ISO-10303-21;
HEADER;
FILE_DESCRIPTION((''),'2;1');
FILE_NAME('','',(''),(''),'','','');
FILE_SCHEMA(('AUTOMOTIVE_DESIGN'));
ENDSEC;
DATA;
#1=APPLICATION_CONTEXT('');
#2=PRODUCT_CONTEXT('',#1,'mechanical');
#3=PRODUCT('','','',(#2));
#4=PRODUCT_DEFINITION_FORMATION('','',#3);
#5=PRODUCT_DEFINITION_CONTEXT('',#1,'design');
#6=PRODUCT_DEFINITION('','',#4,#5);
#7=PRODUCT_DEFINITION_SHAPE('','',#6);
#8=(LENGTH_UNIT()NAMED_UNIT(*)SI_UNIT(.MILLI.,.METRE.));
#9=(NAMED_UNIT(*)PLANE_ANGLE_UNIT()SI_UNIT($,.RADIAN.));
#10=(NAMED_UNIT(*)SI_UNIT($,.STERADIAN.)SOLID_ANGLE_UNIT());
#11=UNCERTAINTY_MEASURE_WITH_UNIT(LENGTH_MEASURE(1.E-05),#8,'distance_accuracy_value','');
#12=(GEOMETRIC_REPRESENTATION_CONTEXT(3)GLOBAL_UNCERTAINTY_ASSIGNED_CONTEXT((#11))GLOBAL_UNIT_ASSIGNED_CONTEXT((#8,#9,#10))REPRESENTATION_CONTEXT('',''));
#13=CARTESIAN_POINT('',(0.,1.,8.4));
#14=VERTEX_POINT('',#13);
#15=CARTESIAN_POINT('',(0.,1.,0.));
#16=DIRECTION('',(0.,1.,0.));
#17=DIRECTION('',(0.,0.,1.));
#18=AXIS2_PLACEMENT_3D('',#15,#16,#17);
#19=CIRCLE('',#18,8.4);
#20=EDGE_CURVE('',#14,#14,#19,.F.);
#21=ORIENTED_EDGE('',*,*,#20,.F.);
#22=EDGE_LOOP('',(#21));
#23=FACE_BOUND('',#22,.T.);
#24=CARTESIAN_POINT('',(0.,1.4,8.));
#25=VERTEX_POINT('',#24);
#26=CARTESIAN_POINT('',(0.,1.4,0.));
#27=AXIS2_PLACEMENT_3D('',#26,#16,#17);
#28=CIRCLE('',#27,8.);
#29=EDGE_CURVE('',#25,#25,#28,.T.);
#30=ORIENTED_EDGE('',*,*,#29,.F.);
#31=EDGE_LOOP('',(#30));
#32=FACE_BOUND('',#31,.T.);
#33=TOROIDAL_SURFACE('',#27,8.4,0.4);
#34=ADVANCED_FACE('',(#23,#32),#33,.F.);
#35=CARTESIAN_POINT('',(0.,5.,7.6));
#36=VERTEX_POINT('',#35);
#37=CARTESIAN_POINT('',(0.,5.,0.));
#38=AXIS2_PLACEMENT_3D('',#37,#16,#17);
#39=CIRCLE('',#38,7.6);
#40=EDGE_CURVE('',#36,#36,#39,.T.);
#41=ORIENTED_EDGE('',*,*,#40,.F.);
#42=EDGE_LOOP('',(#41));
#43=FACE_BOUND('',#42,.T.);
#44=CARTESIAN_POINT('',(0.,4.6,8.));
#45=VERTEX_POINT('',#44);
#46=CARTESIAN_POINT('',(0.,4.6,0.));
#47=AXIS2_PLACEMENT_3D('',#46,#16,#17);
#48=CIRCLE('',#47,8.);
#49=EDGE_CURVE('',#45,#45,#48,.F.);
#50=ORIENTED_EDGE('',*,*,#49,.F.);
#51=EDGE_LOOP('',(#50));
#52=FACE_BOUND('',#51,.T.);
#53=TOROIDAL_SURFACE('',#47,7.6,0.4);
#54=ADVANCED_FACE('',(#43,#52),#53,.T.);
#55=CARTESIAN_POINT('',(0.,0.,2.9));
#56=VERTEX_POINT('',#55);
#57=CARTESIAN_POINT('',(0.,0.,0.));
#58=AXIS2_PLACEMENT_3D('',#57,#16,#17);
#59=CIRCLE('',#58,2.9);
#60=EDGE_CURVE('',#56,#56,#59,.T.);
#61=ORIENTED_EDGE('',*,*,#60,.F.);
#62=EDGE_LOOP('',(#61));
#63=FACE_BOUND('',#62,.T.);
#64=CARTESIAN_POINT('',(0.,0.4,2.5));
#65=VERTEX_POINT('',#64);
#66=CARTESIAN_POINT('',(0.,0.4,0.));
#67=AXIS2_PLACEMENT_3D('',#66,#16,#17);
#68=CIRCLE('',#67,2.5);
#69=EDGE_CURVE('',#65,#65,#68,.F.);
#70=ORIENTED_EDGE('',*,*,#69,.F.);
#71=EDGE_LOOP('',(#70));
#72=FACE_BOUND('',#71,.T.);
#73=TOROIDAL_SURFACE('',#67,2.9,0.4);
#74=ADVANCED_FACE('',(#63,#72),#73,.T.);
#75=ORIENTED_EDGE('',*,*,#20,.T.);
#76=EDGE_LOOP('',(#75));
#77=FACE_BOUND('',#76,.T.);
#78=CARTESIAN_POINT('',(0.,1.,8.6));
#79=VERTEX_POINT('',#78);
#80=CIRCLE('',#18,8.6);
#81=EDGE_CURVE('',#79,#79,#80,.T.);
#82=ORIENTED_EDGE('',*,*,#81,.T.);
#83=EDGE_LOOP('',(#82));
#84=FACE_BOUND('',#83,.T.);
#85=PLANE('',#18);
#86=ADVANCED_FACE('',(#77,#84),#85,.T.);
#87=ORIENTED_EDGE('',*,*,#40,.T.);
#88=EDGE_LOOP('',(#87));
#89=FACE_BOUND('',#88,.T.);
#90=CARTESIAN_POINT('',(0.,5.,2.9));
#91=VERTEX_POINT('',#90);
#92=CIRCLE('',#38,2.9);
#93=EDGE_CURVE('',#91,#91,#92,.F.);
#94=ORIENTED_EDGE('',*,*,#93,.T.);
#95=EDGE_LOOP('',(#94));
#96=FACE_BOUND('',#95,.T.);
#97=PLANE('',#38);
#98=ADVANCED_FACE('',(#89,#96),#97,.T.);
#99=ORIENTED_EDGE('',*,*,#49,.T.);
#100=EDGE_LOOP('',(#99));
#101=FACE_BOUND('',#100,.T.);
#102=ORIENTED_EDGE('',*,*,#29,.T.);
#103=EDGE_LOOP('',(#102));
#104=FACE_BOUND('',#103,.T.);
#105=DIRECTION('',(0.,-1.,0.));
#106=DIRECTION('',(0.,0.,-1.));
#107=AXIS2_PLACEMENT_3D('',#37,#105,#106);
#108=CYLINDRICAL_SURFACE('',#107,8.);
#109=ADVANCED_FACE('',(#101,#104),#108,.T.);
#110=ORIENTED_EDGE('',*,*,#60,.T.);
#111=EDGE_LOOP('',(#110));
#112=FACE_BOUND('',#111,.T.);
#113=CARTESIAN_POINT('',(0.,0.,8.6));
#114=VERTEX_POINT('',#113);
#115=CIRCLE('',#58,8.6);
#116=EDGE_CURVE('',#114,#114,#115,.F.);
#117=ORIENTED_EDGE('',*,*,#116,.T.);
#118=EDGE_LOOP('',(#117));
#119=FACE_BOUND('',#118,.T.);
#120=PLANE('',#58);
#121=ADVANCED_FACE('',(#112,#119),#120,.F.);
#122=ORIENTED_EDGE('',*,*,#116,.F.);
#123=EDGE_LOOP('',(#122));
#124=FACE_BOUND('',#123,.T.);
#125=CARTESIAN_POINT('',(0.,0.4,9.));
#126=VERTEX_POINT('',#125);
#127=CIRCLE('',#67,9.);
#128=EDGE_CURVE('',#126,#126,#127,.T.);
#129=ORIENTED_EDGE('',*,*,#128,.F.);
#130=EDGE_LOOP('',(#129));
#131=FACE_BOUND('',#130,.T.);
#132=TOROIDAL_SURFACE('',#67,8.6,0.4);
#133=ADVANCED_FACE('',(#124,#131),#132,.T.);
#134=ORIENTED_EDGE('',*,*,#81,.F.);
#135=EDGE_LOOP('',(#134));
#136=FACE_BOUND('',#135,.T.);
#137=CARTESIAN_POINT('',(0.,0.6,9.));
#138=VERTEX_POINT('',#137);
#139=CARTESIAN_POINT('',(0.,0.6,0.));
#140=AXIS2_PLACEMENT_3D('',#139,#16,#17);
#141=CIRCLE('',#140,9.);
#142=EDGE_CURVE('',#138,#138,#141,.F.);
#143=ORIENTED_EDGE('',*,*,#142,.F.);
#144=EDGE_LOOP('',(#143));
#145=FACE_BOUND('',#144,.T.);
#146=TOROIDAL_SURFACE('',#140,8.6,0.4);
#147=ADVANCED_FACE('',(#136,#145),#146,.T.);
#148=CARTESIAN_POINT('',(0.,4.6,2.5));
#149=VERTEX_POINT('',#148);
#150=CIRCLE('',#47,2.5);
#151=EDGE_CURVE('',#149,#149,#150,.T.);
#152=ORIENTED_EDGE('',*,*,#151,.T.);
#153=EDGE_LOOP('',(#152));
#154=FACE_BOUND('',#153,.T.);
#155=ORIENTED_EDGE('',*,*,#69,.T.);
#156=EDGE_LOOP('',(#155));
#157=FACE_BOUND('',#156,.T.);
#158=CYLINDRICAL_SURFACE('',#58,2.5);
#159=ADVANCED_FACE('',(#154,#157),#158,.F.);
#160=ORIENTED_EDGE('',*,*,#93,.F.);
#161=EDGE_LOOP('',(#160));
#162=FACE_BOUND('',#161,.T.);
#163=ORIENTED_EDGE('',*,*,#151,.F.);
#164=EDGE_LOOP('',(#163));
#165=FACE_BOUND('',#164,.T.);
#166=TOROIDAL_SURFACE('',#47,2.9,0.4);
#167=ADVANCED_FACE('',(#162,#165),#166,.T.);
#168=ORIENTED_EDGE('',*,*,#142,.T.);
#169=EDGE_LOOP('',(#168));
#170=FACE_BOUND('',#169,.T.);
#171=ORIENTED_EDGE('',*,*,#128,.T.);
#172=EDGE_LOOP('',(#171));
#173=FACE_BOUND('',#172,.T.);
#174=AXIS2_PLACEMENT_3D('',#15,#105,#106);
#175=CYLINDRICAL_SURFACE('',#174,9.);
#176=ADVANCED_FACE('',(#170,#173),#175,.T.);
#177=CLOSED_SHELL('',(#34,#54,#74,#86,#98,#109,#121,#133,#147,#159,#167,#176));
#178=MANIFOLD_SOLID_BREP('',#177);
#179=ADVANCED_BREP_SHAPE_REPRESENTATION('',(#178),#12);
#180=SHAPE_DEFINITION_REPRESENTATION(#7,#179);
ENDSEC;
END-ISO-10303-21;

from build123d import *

# Parameters (mm, degrees)
SKETCH1_R           = 9
BOSS_EXTRUDE1_DEPTH = 1
SKETCH2_R           = 8
BOSS_EXTRUDE2_DEPTH = 4
SKETCH3_R           = 2.5
CUT_EXTRUDE1_DEPTH  = 6
FILLET1_R           = 0.4


with BuildPart() as part:
    # Sketch1 → Boss-Extrude1 (new body)
    with BuildSketch(Plane(origin=(0, 0, 0), x_dir=(1, 0, 0), z_dir=(0, 1, 0))):
        Circle(SKETCH1_R)
    extrude(amount=BOSS_EXTRUDE1_DEPTH)

    # Sketch2 → Boss-Extrude2 (add)
    with BuildSketch(Plane(origin=(0, 1, 0), x_dir=(1, 0, 0), z_dir=(0, 1, 0))):
        Circle(SKETCH2_R)
    extrude(amount=BOSS_EXTRUDE2_DEPTH)

    # Sketch3 → Cut-Extrude1 (cut, through all)
    with BuildSketch(Plane(origin=(0, 5, 0), x_dir=(1, 0, 0), z_dir=(0, 1, 0))):
        Circle(SKETCH3_R)
    extrude(amount=-CUT_EXTRUDE1_DEPTH, mode=Mode.SUBTRACT)

    # Fillet1
    fillet1_edges = [part.edges().sort_by_distance(p)[0] for p in [
        (-2.5, 0, 0),
        (-2.5, 5, 0),
        (-9, 0, 0),
        (-9, 1, 0),
        (-8, 1, 0),
        (-8, 5, 0),
    ]]
    fillet(fillet1_edges, radius=FILLET1_R)


solid = part.part
